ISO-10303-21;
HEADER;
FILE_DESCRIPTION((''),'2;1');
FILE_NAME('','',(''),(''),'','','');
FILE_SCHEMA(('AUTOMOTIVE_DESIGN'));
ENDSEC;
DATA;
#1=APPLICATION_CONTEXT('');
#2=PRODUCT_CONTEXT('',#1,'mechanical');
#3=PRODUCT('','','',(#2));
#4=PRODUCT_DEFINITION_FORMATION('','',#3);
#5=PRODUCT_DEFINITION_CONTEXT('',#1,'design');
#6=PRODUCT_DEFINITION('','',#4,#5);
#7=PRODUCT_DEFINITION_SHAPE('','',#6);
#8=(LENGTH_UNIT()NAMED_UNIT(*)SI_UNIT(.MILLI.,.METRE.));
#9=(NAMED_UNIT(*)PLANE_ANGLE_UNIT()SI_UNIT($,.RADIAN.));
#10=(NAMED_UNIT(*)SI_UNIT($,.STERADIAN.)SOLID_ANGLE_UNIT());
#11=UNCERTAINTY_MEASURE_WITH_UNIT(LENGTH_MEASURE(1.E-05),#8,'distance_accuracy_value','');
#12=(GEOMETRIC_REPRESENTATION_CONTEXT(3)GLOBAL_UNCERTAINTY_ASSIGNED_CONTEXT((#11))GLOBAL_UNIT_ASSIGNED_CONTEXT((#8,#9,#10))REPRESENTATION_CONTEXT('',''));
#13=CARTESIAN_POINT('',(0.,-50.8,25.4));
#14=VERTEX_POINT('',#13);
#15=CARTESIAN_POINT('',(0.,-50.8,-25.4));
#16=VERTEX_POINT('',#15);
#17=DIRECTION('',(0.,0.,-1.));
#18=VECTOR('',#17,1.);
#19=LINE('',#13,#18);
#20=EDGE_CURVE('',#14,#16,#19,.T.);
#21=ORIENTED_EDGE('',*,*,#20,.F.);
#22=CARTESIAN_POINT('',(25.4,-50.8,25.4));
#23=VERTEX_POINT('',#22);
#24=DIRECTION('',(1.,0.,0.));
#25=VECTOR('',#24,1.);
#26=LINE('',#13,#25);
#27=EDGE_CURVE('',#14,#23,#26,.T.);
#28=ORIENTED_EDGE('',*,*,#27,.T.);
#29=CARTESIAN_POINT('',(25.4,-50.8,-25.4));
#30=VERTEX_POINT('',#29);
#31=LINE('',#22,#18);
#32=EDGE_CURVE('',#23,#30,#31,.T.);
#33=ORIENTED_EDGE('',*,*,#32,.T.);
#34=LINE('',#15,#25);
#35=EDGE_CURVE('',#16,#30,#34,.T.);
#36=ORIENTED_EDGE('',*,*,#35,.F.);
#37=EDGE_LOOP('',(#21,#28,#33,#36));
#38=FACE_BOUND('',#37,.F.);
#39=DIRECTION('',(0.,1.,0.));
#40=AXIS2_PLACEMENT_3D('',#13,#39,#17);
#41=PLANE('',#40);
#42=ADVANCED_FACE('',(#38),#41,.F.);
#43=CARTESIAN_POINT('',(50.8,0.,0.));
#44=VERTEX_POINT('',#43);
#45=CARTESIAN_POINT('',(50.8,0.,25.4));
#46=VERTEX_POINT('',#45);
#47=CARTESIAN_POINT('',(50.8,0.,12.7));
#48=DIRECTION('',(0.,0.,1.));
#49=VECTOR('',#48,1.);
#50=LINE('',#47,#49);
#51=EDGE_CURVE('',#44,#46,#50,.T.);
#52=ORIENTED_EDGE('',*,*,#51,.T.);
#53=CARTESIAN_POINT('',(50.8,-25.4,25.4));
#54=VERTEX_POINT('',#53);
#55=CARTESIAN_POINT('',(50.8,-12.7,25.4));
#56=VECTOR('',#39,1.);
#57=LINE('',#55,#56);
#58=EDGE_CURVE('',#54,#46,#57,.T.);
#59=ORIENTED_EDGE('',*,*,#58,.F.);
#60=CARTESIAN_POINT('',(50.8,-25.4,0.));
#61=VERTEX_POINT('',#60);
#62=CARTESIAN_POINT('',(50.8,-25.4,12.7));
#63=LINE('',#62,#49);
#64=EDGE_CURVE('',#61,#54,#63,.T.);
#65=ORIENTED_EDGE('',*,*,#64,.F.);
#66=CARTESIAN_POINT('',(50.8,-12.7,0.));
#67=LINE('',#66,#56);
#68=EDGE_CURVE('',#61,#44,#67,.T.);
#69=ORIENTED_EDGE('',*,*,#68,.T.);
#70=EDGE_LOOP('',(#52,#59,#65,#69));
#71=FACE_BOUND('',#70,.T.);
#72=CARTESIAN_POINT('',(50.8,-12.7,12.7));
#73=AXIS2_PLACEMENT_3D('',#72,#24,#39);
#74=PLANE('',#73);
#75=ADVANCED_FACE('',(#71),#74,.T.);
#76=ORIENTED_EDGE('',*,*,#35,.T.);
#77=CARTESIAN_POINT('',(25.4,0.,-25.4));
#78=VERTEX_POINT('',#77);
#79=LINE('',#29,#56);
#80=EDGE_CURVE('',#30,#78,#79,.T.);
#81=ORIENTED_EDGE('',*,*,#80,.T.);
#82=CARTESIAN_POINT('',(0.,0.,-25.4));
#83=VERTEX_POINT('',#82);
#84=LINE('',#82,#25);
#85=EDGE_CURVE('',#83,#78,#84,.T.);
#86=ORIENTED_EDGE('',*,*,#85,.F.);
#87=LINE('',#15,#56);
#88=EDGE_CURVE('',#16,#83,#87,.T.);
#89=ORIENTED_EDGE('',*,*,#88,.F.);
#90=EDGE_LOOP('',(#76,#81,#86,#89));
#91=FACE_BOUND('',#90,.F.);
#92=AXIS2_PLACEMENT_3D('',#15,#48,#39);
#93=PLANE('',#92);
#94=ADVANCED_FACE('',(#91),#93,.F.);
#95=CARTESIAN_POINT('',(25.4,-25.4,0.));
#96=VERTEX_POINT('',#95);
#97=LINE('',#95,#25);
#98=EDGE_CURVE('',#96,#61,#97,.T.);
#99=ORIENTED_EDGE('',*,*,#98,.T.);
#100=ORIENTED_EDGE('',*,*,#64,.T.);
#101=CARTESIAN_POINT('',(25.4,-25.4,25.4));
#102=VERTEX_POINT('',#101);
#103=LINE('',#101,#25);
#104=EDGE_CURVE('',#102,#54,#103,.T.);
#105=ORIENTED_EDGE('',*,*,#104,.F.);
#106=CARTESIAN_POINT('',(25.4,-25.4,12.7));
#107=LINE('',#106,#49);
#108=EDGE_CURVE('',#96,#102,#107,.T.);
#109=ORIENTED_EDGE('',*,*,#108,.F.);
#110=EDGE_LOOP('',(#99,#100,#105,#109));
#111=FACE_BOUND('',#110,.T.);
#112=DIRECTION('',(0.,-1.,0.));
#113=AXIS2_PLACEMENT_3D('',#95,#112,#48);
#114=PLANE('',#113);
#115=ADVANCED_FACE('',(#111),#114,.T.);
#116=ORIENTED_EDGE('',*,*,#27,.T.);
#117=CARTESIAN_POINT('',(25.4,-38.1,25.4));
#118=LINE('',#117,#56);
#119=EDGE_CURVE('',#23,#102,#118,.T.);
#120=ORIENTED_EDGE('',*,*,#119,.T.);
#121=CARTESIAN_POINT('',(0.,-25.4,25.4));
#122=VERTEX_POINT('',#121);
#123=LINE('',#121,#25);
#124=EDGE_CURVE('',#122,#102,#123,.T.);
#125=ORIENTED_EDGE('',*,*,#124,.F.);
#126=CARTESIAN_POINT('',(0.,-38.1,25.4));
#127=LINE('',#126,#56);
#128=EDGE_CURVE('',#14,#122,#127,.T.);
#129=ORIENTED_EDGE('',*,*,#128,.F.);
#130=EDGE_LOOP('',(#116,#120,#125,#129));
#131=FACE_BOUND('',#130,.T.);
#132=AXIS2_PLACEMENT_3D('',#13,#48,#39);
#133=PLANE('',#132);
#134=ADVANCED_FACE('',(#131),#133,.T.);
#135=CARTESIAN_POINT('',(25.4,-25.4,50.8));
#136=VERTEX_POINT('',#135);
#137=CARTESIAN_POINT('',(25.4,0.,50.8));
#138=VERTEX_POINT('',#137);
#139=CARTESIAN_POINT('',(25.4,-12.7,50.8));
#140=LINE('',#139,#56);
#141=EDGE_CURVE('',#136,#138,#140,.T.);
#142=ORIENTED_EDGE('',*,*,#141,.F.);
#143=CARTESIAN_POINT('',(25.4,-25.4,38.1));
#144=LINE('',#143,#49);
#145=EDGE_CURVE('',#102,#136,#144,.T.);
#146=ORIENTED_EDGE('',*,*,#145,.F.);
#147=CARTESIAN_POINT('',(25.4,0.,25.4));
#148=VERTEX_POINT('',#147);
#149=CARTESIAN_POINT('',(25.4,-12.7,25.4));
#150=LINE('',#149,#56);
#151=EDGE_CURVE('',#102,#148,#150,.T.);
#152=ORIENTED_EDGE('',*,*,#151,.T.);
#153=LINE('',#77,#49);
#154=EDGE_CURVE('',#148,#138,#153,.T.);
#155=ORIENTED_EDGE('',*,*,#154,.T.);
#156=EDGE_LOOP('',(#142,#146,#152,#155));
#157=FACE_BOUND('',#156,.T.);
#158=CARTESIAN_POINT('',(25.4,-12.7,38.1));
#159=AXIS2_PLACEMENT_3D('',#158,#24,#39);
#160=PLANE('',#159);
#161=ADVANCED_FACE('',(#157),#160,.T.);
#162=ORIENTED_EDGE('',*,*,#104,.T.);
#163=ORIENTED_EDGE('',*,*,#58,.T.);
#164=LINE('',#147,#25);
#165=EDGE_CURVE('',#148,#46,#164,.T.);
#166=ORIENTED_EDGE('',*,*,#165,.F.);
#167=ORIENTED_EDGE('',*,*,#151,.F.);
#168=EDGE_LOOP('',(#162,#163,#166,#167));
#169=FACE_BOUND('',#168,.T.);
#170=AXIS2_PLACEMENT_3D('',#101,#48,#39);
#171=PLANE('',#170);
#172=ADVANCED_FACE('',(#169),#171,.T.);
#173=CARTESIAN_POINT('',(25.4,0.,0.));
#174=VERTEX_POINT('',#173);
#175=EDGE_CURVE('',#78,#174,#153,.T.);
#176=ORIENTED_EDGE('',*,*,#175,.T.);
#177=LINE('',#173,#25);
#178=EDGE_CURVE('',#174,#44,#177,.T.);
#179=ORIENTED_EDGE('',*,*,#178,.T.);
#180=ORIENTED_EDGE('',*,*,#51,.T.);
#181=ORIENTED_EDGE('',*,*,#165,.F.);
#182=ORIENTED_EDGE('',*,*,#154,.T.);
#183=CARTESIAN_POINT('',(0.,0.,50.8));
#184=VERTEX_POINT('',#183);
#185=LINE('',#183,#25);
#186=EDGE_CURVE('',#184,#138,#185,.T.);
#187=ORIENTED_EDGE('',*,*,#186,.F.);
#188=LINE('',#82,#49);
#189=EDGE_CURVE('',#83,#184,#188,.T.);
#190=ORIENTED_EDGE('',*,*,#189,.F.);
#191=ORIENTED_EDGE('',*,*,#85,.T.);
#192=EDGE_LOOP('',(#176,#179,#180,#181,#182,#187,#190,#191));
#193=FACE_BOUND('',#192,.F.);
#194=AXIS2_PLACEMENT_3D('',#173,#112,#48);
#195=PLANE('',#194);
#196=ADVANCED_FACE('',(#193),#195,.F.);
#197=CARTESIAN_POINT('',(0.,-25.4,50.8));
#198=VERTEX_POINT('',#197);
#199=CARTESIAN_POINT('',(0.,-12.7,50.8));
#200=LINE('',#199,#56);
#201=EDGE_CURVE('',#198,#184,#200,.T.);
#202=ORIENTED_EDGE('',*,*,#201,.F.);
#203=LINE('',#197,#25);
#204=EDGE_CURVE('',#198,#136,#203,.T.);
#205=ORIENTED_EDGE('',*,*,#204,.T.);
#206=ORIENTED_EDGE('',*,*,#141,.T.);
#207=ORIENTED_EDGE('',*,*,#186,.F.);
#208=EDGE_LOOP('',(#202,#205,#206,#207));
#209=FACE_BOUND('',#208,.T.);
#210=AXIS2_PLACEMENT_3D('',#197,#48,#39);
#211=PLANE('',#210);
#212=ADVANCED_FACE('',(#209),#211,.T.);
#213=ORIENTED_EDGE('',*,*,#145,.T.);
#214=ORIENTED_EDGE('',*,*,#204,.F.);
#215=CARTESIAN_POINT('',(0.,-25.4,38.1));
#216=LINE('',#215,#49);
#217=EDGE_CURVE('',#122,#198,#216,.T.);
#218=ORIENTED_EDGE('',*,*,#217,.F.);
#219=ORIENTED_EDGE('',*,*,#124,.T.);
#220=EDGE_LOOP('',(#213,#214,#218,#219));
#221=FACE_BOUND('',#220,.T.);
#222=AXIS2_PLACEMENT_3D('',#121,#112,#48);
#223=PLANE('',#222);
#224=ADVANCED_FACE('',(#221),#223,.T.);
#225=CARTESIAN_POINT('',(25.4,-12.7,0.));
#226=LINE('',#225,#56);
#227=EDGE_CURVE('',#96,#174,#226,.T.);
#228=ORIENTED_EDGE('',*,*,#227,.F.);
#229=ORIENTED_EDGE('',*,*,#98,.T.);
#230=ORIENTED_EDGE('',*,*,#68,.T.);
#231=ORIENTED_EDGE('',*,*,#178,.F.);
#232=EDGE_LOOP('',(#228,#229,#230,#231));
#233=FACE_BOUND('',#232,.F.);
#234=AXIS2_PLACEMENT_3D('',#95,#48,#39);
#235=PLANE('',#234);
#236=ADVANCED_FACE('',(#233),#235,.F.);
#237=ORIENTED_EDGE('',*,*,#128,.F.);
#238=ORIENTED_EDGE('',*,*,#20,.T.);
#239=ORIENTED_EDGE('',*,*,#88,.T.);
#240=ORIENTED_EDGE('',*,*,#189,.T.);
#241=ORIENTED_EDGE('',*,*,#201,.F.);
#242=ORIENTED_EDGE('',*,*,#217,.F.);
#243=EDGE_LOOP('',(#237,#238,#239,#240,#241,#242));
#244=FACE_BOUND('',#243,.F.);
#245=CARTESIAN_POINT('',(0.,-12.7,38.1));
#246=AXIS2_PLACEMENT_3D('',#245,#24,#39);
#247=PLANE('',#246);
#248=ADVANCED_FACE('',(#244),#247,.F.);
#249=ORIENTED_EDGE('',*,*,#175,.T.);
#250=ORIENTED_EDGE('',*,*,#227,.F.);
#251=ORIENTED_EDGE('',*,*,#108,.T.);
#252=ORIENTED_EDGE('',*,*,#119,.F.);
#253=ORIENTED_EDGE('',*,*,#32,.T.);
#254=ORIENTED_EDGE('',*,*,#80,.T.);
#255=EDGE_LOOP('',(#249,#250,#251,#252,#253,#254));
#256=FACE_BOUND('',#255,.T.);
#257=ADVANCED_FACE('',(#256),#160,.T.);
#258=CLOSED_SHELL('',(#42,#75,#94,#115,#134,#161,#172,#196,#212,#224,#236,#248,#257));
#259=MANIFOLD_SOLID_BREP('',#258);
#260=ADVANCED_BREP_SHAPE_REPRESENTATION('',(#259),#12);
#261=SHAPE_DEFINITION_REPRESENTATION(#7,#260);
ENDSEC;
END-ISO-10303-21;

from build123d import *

# Parameters (mm, degrees)
F0_W     = 25.4
F0_H     = 25.4
F1_DEPTH = 25.4
F2_W     = 25.4
F2_H     = 25.4
F3_DEPTH = 25.4


with BuildPart() as f1:
    # F0 (on Right) → F1 (new body)
    with BuildSketch(Plane.YZ):
        with Locations((-12.7, 38.1)):
            Rectangle(F0_W, F0_H)
        with Locations((-38.1, 12.7)):
            Rectangle(F0_W, F0_H)
        with Locations((-38.1, -12.7)):
            Rectangle(F0_W, F0_H)
        with Locations((-12.7, -12.7)):
            Rectangle(F0_W, F0_H)
        with Locations((-12.7, 12.7)):
            Rectangle(F0_W, F0_H)
    extrude(amount=F1_DEPTH)

    # F2 (on face) → F3 (join)
    with BuildSketch(Plane.YZ.offset(25.4)):
        with Locations((-12.7, 12.7)):
            Rectangle(F2_W, F2_H)
    extrude(amount=F3_DEPTH)


solid = f1.part
